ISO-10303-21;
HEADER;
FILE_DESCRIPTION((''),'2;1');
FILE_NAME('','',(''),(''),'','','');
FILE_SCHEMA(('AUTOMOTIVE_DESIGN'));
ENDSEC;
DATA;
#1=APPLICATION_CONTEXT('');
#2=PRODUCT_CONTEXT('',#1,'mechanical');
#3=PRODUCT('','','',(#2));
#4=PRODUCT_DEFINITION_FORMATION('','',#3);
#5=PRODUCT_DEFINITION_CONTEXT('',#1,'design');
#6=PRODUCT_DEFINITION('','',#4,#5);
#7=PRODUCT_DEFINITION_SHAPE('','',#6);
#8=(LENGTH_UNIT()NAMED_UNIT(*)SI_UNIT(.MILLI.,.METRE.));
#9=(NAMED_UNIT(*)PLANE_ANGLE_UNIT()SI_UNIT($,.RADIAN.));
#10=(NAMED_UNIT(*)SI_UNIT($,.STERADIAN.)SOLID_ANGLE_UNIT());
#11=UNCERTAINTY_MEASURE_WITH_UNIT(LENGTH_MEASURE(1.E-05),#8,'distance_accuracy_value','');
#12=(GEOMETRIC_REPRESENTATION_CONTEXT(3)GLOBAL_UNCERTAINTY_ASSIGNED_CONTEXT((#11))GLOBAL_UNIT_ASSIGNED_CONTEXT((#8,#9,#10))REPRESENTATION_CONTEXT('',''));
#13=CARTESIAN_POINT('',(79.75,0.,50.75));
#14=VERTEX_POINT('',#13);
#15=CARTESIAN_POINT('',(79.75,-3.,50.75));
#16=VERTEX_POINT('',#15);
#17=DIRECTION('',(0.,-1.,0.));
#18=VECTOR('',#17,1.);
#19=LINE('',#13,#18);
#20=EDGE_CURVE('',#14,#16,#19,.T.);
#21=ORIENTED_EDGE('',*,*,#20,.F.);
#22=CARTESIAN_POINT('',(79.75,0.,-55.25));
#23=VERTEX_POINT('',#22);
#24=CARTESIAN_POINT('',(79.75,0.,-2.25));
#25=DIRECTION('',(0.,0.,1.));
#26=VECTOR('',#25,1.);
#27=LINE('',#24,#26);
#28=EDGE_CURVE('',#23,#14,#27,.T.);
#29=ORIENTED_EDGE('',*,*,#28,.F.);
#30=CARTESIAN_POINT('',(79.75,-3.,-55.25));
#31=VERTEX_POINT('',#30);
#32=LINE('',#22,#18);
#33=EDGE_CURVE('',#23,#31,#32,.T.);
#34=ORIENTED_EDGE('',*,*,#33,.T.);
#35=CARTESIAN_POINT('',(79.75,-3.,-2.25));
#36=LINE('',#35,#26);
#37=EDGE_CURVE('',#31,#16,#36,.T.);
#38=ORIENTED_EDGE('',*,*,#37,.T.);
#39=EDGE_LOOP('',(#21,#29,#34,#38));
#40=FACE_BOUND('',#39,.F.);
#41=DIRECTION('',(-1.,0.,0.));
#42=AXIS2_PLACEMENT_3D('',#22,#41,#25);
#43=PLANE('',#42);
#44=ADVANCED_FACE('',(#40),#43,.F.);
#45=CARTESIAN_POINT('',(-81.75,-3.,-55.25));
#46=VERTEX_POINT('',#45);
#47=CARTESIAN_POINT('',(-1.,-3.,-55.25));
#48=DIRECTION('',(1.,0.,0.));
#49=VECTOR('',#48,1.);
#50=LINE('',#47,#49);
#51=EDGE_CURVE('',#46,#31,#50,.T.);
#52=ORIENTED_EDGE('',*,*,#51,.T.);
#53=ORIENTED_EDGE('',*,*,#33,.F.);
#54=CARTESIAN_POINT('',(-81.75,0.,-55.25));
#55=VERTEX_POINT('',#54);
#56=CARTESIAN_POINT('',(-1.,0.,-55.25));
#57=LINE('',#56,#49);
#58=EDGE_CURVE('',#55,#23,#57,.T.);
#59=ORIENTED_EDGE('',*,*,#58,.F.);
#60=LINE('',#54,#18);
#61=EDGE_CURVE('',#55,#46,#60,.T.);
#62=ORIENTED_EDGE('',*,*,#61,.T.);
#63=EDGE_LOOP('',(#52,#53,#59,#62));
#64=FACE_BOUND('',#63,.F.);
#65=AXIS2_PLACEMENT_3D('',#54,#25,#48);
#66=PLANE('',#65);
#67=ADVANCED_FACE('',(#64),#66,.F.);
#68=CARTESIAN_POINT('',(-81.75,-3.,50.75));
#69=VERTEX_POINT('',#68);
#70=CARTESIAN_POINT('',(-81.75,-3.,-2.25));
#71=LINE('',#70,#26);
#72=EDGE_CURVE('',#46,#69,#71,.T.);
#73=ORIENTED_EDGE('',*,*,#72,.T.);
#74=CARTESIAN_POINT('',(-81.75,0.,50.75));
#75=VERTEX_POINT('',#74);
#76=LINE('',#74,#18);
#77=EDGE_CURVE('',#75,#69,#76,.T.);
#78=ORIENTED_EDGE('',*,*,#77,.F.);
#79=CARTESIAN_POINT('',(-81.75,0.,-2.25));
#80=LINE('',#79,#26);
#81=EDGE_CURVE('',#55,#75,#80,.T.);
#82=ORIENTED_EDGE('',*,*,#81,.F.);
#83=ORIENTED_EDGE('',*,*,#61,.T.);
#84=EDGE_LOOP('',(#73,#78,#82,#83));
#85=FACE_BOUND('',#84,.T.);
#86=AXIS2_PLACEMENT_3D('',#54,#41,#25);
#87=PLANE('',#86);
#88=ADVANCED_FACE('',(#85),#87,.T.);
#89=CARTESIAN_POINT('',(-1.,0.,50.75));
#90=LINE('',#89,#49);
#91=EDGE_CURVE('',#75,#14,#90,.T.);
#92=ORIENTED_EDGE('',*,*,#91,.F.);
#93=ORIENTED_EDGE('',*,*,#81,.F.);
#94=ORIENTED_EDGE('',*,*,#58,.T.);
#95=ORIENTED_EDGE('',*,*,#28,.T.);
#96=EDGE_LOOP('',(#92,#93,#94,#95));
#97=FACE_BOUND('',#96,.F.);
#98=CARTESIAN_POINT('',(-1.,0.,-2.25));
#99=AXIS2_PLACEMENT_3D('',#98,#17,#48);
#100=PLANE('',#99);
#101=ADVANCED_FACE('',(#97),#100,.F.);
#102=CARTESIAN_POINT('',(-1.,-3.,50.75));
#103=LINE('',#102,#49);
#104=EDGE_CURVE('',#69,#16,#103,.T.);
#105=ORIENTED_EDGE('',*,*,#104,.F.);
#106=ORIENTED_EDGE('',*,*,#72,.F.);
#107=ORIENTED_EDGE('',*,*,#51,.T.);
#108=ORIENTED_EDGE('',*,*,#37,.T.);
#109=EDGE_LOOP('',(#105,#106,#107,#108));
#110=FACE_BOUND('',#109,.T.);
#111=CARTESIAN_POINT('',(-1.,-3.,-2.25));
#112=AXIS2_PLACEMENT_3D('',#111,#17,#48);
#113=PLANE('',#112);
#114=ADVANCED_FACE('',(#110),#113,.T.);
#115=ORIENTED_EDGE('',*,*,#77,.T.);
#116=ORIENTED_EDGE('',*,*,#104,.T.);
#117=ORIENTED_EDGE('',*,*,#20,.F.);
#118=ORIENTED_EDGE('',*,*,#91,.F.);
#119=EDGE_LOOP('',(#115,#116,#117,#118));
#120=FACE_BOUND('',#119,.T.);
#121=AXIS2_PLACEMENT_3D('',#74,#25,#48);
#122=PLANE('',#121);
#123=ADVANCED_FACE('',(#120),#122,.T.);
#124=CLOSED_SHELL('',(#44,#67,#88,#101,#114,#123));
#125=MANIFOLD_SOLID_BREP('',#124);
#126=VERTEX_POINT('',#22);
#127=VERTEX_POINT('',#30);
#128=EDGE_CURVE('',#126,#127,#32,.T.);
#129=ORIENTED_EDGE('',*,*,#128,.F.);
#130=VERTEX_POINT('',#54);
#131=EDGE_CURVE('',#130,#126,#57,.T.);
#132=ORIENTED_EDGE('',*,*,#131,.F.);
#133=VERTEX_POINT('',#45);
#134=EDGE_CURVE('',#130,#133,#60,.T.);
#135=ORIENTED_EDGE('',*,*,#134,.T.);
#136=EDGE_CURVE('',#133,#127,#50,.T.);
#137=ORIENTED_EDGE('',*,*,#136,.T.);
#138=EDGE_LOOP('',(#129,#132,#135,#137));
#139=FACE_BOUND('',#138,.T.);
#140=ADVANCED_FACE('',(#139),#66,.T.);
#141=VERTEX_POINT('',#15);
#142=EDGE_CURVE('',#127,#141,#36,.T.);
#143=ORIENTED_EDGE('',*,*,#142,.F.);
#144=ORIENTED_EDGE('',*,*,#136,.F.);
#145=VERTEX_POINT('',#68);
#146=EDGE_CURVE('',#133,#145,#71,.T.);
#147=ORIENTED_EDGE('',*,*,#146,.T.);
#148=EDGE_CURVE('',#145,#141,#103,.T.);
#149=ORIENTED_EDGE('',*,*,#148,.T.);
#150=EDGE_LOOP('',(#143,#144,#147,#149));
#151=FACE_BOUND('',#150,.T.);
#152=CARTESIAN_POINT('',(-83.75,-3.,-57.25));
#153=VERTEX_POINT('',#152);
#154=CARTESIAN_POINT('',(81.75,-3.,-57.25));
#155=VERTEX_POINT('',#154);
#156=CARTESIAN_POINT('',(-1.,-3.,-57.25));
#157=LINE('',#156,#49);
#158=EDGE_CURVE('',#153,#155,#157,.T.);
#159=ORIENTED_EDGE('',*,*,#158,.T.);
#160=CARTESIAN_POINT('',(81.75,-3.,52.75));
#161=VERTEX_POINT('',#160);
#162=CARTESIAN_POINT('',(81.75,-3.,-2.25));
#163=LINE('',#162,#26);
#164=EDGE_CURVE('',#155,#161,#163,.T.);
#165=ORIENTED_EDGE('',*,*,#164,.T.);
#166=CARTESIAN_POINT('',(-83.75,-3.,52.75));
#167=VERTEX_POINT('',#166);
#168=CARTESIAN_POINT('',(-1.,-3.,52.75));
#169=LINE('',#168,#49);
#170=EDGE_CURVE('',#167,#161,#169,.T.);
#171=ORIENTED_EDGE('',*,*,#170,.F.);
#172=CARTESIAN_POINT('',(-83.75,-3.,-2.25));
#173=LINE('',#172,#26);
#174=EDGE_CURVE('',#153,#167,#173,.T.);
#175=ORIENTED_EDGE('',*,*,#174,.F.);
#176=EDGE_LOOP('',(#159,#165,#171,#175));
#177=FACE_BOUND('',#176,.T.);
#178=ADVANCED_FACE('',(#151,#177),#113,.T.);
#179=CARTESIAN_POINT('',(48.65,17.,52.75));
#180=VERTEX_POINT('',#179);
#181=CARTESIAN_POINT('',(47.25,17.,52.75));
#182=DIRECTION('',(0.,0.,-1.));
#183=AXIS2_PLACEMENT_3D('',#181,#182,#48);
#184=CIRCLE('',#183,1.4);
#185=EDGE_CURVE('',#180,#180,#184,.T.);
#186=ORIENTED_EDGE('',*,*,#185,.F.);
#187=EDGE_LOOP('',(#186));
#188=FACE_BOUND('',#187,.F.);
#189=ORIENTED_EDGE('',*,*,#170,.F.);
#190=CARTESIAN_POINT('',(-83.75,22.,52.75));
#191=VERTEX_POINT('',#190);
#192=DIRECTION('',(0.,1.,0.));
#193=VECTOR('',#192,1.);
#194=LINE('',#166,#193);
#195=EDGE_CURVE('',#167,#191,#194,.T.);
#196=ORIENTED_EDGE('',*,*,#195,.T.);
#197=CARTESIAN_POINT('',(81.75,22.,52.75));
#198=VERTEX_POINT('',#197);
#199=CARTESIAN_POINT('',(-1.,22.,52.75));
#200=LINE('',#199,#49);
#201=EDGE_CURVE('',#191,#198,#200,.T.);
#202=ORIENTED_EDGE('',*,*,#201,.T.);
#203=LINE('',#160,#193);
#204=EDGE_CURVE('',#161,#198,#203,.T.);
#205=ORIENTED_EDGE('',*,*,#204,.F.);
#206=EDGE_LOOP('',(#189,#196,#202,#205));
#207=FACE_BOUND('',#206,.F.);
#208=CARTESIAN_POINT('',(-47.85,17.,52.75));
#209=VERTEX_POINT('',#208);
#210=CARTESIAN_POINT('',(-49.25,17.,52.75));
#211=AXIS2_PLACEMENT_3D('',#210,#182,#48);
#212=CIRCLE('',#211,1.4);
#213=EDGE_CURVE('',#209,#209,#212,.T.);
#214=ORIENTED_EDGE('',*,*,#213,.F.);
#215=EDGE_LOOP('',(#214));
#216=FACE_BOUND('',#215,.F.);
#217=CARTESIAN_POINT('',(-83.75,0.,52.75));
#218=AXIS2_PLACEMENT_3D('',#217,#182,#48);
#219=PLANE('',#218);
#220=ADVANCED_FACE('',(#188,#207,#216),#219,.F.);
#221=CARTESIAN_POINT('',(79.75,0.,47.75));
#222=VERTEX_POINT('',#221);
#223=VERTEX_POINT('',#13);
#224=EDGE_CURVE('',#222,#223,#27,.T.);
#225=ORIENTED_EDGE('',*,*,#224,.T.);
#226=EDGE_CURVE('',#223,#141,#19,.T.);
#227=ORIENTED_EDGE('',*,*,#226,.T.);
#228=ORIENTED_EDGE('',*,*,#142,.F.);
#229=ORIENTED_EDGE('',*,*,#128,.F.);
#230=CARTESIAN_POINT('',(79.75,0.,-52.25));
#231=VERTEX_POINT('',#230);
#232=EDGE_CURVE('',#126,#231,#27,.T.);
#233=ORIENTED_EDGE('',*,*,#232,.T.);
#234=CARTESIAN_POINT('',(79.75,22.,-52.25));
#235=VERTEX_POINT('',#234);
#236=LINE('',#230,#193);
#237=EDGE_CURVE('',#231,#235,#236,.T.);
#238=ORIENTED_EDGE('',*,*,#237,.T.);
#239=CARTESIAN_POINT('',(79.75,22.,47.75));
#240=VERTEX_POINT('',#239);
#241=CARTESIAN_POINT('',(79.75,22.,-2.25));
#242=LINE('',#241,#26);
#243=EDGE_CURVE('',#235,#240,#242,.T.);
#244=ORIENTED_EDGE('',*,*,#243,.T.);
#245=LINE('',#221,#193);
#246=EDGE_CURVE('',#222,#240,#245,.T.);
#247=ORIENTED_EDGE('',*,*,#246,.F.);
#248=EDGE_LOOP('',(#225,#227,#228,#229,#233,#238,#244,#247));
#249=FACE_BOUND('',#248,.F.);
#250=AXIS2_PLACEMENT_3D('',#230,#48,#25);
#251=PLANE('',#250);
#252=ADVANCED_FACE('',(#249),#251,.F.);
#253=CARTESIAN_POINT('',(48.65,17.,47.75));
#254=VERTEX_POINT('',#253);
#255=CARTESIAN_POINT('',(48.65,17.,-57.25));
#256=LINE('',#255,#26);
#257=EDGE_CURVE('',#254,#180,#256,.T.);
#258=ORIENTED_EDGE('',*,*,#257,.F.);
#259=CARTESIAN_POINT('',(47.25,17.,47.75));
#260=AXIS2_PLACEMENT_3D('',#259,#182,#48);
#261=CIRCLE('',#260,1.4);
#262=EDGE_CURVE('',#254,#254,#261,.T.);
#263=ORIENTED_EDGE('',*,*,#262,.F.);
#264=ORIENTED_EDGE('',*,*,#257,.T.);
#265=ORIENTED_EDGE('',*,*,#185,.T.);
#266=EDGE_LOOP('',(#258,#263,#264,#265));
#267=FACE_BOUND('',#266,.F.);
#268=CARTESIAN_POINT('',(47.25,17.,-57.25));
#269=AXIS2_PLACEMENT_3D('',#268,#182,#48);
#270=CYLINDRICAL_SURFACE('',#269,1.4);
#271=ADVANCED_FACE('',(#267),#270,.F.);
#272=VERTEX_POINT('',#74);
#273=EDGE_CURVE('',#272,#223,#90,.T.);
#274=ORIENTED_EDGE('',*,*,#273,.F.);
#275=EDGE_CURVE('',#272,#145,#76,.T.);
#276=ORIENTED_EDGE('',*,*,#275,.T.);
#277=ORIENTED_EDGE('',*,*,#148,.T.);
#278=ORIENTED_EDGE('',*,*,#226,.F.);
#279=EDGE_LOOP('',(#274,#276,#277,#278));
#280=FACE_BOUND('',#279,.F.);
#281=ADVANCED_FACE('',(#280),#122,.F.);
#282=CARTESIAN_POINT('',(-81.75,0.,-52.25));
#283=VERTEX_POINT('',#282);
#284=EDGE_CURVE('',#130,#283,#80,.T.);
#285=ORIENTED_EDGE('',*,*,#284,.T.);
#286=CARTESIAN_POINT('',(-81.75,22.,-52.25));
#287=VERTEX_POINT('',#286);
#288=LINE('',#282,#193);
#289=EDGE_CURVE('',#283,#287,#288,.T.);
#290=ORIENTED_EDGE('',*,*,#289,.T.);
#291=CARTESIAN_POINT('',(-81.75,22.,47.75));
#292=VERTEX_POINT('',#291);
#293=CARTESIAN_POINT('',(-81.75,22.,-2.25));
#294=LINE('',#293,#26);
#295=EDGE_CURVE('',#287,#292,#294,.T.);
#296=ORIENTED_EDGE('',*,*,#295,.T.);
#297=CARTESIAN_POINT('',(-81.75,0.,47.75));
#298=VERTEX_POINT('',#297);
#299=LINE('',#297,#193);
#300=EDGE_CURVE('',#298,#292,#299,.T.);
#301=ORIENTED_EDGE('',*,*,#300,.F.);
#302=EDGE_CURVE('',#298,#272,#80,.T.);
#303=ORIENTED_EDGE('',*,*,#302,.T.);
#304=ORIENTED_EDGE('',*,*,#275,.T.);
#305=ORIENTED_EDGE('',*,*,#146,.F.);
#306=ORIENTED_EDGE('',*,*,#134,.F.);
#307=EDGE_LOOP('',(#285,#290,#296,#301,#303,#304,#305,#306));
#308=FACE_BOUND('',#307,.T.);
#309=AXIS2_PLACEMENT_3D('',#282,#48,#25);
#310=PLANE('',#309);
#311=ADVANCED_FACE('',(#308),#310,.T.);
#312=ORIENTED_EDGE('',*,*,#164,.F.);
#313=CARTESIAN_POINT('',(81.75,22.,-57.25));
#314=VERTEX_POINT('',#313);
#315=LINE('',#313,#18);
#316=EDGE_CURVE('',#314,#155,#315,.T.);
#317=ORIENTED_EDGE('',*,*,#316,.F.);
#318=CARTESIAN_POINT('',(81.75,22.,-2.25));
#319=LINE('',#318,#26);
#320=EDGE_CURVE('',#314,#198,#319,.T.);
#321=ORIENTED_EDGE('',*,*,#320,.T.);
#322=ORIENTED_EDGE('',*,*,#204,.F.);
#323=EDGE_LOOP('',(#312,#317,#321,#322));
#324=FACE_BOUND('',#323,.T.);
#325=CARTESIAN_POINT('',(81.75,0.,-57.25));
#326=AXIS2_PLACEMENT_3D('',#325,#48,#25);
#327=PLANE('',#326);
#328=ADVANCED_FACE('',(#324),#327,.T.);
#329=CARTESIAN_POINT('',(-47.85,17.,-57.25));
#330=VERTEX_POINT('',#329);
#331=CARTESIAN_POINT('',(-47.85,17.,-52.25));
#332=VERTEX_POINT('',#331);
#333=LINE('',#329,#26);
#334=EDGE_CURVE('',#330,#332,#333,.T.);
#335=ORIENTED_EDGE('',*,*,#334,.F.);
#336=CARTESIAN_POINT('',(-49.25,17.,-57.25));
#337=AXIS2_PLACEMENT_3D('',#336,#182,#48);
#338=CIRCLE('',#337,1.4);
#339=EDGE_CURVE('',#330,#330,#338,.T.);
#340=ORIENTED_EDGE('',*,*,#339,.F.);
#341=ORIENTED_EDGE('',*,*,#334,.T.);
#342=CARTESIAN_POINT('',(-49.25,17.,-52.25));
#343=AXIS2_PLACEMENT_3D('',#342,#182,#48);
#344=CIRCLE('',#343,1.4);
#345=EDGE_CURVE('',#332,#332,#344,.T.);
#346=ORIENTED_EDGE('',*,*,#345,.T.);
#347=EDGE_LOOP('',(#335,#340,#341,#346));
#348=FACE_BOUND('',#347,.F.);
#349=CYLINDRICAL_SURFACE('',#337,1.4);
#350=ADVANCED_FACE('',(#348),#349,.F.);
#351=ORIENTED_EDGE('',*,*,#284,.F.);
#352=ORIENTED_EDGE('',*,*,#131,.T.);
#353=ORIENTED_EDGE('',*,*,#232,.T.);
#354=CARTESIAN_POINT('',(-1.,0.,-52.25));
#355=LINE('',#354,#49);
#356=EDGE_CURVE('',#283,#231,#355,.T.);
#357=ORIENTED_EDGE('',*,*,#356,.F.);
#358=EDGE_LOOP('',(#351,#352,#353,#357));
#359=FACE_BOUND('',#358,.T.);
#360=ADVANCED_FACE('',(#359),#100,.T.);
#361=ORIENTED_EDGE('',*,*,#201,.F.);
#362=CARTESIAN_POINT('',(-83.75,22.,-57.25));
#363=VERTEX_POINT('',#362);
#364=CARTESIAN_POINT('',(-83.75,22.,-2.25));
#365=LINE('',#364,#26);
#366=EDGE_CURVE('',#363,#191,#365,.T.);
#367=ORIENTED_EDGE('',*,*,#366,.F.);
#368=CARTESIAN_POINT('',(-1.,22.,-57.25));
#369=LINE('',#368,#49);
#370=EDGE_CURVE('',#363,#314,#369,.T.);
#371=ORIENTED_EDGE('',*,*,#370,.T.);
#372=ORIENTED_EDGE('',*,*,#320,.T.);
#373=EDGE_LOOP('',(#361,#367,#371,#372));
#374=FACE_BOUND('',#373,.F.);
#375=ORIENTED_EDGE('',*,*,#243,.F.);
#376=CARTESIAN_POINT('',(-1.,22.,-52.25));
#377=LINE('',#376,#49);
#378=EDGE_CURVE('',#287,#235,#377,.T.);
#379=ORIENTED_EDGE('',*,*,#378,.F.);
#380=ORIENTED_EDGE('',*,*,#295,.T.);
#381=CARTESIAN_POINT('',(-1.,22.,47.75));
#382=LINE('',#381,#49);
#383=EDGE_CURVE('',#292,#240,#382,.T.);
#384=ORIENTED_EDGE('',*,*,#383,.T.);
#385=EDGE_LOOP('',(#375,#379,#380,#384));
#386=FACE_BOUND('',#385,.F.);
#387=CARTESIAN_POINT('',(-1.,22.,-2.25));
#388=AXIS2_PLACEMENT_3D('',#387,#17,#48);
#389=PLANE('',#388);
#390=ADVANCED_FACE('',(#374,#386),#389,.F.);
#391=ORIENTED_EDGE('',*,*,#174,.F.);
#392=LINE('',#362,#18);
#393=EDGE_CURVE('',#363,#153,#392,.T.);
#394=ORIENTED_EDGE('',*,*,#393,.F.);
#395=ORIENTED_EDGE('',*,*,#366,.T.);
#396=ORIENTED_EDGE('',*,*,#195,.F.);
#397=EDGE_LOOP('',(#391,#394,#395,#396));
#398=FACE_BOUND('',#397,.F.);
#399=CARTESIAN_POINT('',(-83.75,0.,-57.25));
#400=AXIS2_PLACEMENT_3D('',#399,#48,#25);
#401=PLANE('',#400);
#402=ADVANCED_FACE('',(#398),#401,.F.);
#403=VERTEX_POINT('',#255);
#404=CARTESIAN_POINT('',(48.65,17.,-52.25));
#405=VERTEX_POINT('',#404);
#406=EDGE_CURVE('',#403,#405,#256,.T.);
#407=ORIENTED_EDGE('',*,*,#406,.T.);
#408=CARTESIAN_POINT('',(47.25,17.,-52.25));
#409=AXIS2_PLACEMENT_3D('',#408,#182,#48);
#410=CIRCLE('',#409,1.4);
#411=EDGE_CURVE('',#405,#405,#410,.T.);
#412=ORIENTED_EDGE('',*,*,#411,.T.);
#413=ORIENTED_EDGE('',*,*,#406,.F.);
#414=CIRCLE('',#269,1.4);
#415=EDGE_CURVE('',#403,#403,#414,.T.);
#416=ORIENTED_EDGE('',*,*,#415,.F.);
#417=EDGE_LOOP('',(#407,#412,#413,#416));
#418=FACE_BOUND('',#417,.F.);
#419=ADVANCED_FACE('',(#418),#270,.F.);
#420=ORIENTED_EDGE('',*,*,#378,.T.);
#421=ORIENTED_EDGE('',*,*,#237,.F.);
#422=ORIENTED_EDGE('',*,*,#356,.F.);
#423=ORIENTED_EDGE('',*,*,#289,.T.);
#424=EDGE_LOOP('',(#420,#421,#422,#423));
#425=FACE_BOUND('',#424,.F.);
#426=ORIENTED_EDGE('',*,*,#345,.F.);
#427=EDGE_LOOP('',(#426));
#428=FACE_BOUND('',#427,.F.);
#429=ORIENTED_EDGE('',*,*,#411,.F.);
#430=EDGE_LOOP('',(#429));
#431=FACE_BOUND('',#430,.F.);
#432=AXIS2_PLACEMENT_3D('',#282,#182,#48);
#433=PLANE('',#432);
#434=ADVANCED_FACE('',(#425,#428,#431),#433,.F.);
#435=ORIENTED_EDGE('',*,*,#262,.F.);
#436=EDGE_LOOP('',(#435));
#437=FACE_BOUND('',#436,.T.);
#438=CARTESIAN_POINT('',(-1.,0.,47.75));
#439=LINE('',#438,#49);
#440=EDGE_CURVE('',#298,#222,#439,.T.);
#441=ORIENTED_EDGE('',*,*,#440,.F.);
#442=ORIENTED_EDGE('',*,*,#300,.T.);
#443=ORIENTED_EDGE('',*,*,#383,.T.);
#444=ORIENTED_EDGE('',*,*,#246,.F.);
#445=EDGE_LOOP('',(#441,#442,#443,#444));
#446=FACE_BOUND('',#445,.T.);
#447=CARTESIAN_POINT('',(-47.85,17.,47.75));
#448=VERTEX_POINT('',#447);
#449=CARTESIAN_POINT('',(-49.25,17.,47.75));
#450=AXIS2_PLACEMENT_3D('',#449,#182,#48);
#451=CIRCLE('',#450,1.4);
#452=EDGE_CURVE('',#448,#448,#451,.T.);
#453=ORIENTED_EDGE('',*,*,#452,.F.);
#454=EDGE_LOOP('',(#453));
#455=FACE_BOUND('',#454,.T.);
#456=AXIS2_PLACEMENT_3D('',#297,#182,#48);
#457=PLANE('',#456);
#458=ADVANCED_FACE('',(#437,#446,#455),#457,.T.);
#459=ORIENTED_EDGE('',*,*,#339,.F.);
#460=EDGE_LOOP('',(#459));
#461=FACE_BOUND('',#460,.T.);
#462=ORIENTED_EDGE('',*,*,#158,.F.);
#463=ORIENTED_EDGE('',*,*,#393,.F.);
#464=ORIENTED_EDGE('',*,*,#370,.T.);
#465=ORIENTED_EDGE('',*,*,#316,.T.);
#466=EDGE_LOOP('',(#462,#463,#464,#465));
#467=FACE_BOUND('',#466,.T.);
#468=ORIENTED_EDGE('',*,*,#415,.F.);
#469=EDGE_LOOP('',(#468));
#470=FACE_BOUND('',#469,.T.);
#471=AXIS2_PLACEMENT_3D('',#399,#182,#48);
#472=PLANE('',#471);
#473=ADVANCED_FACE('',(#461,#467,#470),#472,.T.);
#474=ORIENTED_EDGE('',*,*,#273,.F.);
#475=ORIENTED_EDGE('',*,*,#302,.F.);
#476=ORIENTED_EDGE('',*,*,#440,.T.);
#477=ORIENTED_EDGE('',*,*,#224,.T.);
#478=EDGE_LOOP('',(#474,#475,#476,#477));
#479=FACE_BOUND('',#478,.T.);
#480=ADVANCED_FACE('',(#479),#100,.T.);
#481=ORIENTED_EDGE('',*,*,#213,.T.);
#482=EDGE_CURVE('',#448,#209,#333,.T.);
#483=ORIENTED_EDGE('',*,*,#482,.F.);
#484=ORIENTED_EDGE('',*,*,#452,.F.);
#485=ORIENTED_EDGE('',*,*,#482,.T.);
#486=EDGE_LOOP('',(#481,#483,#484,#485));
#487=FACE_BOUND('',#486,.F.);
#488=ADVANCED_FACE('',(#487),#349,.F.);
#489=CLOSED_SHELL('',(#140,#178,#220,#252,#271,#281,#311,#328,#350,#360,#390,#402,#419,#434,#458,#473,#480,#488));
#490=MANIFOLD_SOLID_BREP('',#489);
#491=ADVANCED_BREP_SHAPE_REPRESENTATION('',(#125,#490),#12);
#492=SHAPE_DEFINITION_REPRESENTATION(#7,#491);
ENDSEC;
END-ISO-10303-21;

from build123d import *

# Parameters (mm, degrees)
F1_W     = 165.5
F1_H     = 110
F1_W_2   = 161.5
F1_H_2   = 106
F2_DEPTH = 3
F3_W     = 165.5
F3_H     = 110
F3_W_2   = 161.5
F3_H_2   = 100
F4_DEPTH = 22
F5_R     = 1.4
F6_DEPTH = 110.001
F7_W     = 161.5
F7_H     = 106
F8_DEPTH = 3


with BuildPart() as f2:
    # F1 (on Front) → F2 (new body)
    with BuildSketch(Plane.XZ):
        with Locations((-1, -2.25)):
            Rectangle(F1_W, F1_H)
        with Locations((-1, -2.25)):
            Rectangle(F1_W_2, F1_H_2, mode=Mode.SUBTRACT)
    extrude(amount=F2_DEPTH)

    # F3 (on Front) → F4 (join)
    with BuildSketch(Plane.XZ):
        with Locations((-1, -2.25)):
            Rectangle(F3_W, F3_H)
        with Locations((-1, -2.25)):
            Rectangle(F3_W_2, F3_H_2, mode=Mode.SUBTRACT)
    extrude(amount=-F4_DEPTH)

    # F5 (on face) → F6 (cut, through all)
    with BuildSketch(Plane(origin=(0, 0, -57.25), x_dir=(1, 0, 0), z_dir=(0, 0, -1))):
        with Locations((-49.25, -17)):
            Circle(F5_R)
        with Locations((47.25, -17)):
            Circle(F5_R)
    extrude(amount=-F6_DEPTH, mode=Mode.SUBTRACT)


with BuildPart() as f8:
    # F7 (on Front) → F8 (new body)
    with BuildSketch(Plane.XZ):
        with Locations((-1, -2.25)):
            Rectangle(F7_W, F7_H)
    extrude(amount=F8_DEPTH)


solid = Compound([f2.part, f8.part])
